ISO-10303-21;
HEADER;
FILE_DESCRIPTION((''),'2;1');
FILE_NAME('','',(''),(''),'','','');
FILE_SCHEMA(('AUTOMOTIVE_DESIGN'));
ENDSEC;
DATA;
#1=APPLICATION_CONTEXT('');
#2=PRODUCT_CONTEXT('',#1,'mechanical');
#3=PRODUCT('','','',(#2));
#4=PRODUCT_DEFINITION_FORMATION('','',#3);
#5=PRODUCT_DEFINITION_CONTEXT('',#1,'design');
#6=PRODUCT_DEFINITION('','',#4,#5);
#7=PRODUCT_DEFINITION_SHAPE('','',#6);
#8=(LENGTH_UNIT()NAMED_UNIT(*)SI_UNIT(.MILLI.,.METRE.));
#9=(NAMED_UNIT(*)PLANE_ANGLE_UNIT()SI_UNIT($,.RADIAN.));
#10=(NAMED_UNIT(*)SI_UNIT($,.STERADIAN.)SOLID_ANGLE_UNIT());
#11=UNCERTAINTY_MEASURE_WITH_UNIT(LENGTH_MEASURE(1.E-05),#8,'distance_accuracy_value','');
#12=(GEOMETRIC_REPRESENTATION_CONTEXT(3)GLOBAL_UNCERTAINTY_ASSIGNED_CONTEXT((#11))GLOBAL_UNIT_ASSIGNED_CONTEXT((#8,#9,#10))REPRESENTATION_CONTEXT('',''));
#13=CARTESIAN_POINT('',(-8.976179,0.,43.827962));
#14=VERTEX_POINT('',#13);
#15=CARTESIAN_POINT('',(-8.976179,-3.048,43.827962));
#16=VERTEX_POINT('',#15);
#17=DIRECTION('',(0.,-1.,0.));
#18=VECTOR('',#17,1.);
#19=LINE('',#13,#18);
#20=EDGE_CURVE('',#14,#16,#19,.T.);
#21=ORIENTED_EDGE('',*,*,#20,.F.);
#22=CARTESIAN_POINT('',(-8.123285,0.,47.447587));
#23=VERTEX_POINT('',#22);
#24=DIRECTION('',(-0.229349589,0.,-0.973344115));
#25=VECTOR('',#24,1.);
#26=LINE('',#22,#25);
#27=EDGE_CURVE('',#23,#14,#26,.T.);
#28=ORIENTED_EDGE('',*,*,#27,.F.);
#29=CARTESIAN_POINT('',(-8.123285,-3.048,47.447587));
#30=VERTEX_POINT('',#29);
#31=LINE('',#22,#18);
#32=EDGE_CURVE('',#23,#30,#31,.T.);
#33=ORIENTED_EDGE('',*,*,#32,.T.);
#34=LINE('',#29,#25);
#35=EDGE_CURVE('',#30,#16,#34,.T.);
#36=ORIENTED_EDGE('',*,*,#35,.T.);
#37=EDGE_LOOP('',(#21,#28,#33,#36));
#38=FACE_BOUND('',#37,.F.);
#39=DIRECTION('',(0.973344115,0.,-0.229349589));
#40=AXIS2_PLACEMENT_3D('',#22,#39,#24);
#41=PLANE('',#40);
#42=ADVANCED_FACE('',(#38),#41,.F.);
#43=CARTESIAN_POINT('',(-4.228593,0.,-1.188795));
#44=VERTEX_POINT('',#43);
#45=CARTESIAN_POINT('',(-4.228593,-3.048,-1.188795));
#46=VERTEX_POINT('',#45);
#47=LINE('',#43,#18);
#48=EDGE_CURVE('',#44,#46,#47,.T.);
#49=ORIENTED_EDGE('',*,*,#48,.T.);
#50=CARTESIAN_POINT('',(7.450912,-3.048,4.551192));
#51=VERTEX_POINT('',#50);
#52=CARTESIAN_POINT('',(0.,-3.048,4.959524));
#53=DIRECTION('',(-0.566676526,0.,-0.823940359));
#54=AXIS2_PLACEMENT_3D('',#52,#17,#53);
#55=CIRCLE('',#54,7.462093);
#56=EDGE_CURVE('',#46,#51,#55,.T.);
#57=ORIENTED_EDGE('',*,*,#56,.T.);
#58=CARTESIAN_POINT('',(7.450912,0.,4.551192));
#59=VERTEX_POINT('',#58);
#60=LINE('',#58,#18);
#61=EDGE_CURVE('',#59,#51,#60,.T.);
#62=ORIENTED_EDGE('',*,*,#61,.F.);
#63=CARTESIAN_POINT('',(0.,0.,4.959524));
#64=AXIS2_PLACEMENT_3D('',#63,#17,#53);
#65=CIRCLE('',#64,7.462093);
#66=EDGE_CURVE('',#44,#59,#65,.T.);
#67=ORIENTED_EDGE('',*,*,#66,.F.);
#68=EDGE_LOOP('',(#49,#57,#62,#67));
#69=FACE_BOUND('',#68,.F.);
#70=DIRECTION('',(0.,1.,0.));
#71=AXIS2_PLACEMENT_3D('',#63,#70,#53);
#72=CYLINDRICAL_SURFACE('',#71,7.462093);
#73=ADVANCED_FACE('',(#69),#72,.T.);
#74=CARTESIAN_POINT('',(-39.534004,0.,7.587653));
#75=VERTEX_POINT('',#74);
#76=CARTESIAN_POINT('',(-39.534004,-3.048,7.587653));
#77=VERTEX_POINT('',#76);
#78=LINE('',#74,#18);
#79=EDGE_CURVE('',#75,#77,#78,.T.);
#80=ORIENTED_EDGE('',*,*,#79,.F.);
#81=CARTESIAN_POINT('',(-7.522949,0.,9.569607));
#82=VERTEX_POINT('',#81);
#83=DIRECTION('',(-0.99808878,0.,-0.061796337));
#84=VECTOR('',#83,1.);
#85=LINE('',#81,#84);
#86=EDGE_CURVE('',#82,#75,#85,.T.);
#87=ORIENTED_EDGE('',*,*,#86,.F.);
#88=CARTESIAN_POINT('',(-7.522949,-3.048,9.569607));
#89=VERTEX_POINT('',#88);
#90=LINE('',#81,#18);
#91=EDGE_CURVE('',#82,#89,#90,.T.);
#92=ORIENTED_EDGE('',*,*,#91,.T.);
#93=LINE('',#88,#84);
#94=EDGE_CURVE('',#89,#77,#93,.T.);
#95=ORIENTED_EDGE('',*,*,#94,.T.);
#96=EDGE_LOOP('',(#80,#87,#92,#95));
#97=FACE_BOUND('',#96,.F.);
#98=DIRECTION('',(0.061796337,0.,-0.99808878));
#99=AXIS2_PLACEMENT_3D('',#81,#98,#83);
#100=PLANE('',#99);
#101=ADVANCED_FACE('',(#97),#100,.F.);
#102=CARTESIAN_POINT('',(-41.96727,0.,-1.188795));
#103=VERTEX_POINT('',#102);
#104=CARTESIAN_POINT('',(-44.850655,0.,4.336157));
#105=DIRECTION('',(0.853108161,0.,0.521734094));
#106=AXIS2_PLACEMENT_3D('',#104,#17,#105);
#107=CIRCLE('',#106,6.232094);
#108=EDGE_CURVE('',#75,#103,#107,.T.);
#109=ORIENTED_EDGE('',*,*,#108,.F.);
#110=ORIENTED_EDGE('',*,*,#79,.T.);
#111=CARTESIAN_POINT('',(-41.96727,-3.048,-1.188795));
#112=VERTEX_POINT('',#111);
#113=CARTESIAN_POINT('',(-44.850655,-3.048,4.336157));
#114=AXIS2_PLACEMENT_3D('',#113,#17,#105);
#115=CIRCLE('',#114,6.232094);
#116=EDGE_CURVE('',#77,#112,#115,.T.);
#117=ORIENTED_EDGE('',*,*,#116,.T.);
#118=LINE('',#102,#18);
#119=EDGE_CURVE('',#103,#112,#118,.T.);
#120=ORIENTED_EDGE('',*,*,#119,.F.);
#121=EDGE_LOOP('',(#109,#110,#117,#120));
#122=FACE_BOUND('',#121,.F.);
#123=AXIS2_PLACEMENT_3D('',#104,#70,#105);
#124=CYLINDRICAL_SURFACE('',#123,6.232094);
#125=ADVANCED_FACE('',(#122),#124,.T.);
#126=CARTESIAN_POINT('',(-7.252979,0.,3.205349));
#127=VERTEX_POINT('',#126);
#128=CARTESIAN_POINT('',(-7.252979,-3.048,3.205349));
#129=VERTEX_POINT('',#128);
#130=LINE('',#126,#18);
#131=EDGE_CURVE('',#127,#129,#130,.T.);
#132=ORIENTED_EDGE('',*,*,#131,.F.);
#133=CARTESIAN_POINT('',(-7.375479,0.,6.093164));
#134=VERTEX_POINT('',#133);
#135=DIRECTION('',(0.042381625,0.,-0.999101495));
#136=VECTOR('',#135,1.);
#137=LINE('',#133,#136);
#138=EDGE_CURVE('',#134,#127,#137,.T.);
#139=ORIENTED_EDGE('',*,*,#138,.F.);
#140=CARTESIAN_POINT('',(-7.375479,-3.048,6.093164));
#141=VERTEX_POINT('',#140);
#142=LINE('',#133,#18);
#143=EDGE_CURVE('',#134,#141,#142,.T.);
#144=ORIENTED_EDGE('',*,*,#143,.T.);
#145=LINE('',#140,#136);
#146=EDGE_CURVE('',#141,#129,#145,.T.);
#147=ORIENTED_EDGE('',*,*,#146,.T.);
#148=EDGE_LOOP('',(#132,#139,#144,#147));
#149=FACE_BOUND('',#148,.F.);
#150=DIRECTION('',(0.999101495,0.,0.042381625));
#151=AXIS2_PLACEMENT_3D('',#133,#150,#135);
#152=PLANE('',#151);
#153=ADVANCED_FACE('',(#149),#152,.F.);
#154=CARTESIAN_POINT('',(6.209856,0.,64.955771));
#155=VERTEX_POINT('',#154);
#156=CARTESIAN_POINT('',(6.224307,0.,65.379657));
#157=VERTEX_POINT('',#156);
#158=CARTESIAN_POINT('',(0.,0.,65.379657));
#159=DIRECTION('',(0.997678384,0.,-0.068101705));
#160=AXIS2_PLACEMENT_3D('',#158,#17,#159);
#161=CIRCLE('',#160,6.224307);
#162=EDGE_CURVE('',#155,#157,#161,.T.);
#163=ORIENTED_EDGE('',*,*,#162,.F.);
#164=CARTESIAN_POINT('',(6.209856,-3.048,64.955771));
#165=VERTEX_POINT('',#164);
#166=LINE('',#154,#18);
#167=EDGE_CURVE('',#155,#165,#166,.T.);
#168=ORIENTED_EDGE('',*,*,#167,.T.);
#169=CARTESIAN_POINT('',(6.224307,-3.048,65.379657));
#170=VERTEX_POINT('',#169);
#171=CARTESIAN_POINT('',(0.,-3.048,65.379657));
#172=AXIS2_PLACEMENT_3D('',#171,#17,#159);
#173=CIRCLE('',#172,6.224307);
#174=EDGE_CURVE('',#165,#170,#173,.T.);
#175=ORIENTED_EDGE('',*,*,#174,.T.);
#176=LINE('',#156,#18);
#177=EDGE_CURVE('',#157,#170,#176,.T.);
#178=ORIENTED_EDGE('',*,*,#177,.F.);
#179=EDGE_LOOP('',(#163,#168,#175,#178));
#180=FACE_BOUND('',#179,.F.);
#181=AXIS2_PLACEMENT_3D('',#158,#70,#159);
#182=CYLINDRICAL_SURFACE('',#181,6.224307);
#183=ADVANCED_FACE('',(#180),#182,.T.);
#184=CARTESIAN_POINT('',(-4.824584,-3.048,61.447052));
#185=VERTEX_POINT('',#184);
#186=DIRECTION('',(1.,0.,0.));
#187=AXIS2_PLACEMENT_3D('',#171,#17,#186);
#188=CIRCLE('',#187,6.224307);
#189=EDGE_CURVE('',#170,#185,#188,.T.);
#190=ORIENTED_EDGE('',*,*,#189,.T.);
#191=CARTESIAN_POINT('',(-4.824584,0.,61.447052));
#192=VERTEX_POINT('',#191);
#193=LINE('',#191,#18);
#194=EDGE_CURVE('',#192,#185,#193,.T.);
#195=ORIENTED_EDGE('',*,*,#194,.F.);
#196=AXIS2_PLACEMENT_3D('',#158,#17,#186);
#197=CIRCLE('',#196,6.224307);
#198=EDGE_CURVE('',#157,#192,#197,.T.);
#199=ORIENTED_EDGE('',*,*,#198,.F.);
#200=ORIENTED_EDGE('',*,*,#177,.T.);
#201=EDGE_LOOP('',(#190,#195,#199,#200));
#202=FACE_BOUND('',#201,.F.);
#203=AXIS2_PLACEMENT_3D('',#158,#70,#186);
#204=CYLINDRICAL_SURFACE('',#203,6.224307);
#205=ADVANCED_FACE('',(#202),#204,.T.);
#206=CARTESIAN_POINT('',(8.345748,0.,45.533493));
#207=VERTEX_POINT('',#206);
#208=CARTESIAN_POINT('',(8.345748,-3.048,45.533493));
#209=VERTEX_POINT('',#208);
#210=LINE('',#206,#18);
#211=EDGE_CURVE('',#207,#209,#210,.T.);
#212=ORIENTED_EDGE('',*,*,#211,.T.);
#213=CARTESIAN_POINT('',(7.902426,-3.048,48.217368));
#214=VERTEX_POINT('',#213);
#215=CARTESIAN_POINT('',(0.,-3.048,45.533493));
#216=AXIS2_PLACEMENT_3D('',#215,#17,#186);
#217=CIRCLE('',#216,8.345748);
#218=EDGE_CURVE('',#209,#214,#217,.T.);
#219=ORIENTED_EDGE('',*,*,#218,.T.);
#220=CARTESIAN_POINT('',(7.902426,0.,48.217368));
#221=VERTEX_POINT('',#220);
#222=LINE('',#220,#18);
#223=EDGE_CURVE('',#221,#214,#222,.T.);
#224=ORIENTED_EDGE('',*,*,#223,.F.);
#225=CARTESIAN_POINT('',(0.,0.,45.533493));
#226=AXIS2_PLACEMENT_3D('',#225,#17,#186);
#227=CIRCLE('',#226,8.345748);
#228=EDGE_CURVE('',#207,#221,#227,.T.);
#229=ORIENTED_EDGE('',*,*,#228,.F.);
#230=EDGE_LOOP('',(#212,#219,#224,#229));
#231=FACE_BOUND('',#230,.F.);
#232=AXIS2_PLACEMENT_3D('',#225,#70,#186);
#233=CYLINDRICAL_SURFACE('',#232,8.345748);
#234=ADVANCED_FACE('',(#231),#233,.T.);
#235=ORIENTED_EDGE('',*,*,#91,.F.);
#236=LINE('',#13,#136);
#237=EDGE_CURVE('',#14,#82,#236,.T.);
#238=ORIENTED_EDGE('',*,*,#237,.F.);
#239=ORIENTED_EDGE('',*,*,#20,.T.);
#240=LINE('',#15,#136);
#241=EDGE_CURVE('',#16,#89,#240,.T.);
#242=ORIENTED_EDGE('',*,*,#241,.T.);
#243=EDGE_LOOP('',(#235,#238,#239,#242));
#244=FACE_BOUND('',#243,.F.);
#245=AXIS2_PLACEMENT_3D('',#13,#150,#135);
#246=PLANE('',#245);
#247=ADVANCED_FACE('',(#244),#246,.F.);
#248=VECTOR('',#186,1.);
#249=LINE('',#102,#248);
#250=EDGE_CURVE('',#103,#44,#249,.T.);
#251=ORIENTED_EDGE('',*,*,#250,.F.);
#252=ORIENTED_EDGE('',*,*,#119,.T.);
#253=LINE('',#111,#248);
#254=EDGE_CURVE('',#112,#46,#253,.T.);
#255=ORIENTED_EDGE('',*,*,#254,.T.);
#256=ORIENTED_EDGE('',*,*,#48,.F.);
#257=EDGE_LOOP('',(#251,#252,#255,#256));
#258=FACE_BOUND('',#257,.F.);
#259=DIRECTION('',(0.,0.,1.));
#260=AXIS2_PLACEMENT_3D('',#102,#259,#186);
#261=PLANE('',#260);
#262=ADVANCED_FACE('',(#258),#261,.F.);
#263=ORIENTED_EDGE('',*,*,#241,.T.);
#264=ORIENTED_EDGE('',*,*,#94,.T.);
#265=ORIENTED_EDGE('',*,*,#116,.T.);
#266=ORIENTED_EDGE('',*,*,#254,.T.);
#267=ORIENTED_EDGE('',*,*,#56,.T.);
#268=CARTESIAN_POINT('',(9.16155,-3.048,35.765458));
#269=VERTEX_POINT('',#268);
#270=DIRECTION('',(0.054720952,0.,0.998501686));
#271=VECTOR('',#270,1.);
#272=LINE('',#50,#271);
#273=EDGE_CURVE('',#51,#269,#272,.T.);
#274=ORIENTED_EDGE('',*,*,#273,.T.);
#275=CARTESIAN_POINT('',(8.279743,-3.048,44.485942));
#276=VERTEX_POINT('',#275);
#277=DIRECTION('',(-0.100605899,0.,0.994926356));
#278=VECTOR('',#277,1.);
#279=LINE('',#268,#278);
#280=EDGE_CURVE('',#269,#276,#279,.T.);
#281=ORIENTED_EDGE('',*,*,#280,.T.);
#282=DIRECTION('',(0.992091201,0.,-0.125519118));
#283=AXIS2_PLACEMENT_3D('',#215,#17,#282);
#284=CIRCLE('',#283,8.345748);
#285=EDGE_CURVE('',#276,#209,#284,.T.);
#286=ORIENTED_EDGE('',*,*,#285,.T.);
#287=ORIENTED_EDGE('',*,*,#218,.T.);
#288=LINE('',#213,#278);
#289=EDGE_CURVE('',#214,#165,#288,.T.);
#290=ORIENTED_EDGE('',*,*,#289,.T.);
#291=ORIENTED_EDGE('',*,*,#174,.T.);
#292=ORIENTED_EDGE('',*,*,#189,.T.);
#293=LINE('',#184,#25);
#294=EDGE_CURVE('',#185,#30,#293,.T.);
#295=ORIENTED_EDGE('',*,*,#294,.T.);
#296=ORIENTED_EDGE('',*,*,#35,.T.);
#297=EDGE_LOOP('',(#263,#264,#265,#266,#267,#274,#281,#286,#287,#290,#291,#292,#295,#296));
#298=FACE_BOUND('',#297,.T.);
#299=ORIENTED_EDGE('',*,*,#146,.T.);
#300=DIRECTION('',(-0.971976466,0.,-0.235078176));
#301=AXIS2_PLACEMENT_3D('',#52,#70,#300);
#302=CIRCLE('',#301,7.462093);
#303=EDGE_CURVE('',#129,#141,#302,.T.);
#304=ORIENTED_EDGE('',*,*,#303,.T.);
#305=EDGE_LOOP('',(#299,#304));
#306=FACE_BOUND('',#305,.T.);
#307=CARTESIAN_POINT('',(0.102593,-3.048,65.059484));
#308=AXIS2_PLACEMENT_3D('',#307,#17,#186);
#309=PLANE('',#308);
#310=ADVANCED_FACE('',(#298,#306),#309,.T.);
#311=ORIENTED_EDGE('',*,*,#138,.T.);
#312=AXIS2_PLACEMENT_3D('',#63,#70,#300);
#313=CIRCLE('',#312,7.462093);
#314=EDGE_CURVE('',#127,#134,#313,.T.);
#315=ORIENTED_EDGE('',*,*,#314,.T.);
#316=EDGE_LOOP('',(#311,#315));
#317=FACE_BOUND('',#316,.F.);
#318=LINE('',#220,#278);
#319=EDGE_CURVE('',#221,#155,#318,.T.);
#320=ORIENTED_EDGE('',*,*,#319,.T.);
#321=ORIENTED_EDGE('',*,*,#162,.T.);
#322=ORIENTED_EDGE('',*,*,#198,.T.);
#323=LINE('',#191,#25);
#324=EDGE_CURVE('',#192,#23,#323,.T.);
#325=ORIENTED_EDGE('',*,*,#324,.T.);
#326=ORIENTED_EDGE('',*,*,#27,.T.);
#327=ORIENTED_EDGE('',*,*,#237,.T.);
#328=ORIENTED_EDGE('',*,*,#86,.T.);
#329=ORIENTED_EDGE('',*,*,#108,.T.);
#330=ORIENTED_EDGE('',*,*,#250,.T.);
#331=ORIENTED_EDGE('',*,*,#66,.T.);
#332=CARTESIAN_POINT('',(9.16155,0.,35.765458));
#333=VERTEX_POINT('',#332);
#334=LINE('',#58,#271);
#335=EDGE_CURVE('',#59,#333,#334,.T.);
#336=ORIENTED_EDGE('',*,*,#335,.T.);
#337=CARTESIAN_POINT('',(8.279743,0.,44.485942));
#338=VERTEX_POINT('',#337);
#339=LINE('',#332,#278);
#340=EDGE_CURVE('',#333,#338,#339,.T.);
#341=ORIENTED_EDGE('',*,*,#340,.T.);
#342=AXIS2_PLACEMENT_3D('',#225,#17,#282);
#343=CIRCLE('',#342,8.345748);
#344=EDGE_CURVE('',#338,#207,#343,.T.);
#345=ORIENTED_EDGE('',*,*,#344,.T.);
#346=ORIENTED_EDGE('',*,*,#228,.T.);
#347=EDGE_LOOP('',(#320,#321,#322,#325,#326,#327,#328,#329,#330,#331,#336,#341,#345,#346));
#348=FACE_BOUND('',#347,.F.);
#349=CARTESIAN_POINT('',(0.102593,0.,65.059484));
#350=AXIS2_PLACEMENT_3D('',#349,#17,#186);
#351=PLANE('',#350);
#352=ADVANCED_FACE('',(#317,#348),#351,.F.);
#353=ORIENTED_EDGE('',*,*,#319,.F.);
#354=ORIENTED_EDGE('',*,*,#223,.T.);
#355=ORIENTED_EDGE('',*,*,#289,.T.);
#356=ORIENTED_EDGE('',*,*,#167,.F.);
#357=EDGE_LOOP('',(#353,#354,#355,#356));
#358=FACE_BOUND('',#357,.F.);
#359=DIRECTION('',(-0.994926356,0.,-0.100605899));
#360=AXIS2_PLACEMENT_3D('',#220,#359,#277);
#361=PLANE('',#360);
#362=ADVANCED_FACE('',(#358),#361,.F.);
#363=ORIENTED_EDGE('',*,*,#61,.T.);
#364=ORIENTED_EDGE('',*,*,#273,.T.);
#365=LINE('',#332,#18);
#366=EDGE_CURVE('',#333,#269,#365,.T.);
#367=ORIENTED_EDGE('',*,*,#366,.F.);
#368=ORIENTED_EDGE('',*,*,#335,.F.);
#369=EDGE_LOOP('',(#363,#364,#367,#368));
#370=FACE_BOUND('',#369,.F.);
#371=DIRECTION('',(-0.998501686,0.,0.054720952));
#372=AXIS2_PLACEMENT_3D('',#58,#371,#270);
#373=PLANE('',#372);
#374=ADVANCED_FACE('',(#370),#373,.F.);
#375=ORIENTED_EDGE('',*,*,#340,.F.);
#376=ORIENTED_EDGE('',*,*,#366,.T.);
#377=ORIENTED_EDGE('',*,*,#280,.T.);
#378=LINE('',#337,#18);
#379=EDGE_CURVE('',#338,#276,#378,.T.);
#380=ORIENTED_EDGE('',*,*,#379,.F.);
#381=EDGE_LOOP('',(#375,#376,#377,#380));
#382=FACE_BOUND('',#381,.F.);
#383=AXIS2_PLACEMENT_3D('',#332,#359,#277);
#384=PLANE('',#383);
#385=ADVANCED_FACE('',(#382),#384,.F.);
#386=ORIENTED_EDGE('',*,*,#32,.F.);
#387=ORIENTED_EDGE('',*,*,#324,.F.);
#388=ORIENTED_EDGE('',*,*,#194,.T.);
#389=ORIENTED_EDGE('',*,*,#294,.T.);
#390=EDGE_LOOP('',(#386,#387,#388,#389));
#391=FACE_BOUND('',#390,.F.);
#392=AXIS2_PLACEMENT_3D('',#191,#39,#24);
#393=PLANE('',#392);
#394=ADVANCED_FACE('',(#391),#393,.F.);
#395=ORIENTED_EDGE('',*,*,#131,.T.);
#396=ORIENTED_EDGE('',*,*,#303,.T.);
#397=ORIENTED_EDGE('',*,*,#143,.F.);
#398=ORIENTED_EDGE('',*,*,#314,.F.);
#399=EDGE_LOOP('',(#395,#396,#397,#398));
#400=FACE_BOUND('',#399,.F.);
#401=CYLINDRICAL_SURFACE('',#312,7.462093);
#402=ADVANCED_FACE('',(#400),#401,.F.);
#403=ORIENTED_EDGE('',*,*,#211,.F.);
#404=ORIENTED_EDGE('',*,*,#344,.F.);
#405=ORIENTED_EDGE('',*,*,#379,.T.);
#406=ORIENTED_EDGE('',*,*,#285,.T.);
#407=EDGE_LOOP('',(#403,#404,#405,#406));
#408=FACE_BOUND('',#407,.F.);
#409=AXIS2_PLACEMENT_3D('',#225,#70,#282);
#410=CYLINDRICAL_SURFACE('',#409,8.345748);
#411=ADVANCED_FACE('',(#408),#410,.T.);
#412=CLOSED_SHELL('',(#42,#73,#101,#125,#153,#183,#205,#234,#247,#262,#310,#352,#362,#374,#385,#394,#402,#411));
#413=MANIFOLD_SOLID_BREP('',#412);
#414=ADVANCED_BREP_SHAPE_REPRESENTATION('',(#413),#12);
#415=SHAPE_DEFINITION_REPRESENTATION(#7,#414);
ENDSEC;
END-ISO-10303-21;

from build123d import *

# Parameters (mm, degrees)
F1_DEPTH = 3.048


with BuildPart() as f1:
    # F0 (on Front) → F1 (new body)
    with BuildSketch(Plane.XZ):
        with BuildLine():
            ThreePointArc((6.209856088, 64.9557709646), (6.2206928765, 65.1675907882), (6.224306538, 65.3796568513))
            ThreePointArc((6.224306538, 65.3796568513), (-2.0871396142, 71.2436009258), (-4.824583776, 61.4470517012))
            ThreePointArc((-4.824583776, 61.4470517012), (-2.6706040451, 59.7573916572), (0, 59.1553503133))
            ThreePointArc((0, 59.1553503133), (4.2487407654, 60.8310093834), (6.209856088, 64.9557709646))
        make_face()
        with BuildLine():
            ThreePointArc((0, 59.1553503133), (-2.6706040451, 59.7573916572), (-4.824583776, 61.4470517012))
            Line((-4.824583776, 61.4470517012), (-8.1232850213, 47.4475871287))
            ThreePointArc((-8.1232850213, 47.4475871287), (-5.1805872599, 52.0766598943), (0, 53.8792414952))
            Line((0, 53.8792414952), (0, 59.1553503133))
        make_face()
        with BuildLine():
            Line((7.9024256694, 48.2173679334), (6.209856088, 64.9557709646))
            ThreePointArc((6.209856088, 64.9557709646), (4.2487407654, 60.8310093834), (0, 59.1553503133))
            Line((0, 59.1553503133), (0, 53.8792414952))
            ThreePointArc((0, 53.8792414952), (4.8606878035, 52.3176828203), (7.9024256694, 48.2173679334))
        make_face()
        with BuildLine():
            ThreePointArc((0, 53.8792414952), (-5.1805872599, 52.0766598943), (-8.1232850213, 47.4475871287))
            ThreePointArc((-8.1232850213, 47.4475871287), (-6.5431667331, 40.3529059013), (0, 37.1877448272))
            Line((0, 37.1877448272), (0, 53.8792414952))
        make_face()
        with BuildLine():
            ThreePointArc((0, 37.1877448272), (-6.5431667331, 40.3529059013), (-8.1232850213, 47.4475871287))
            Line((-8.1232850213, 47.4475871287), (-8.9761791751, 43.8279621303))
            Line((-8.9761791751, 43.8279621303), (-7.522948678, 9.569606592))
            Line((-7.522948678, 9.569606592), (-5.7813609054, 9.6774364228))
            ThreePointArc((-5.7813609054, 9.6774364228), (-3.1997914593, 11.7007529388), (0, 12.4216171046))
            Line((0, 12.4216171046), (0, 37.1877448272))
        make_face()
        with BuildLine():
            Line((8.2797434874, 44.4859421904), (7.9024256694, 48.2173679334))
            ThreePointArc((7.9024256694, 48.2173679334), (4.8606878035, 52.3176828203), (0, 53.8792414952))
            Line((0, 53.8792414952), (0, 37.1877448272))
            ThreePointArc((0, 37.1877448272), (5.5185559019, 39.2727379343), (8.2797434874, 44.4859421904))
        make_face()
        with BuildLine():
            ThreePointArc((8.345748334, 45.5334931612), (8.2341718199, 46.893614367), (7.9024256694, 48.2173679334))
            Line((7.9024256694, 48.2173679334), (8.2797434874, 44.4859421904))
            ThreePointArc((8.2797434874, 44.4859421904), (8.3292307769, 45.0086789855), (8.345748334, 45.5334931612))
        make_face()
        with BuildLine():
            ThreePointArc((8.2797434874, 44.4859421904), (5.5185559019, 39.2727379343), (0, 37.1877448272))
            Line((0, 37.1877448272), (0, 12.4216171046))
            ThreePointArc((0, 12.4216171046), (5.2764963843, 10.2360207404), (7.4620927485, 4.9595243561))
            ThreePointArc((7.4620927485, 4.9595243561), (7.4592970858, 4.7552814289), (7.4509121924, 4.5511915405))
            Line((7.4509121924, 4.5511915405), (9.1615496203, 35.7654578984))
            Line((9.1615496203, 35.7654578984), (8.2797434874, 44.4859421904))
        make_face()
        with BuildLine():
            ThreePointArc((7.4620927485, 4.9595243561), (5.2764963843, 10.2360207404), (0, 12.4216171046))
            ThreePointArc((0, 12.4216171046), (-3.1997914593, 11.7007529388), (-5.7813609054, 9.6774364228))
            ThreePointArc((-5.7813609054, 9.6774364228), (-6.8181639984, 7.9919273436), (-7.3754788979, 6.0931641639))
            Line((-7.3754788979, 6.0931641639), (-7.2529785413, 3.2053492032))
            ThreePointArc((-7.2529785413, 3.2053492032), (-6.1468484582, 0.7287936603), (-4.2285927984, -1.1887950186))
            ThreePointArc((-4.2285927984, -1.1887950186), (3.2913062747, -1.737499699), (7.4509121924, 4.5511915405))
            ThreePointArc((7.4509121924, 4.5511915405), (7.4592970858, 4.7552814289), (7.4620927485, 4.9595243561))
        make_face()
        with BuildLine():
            Line((-5.7813609054, 9.6774364228), (-7.522948678, 9.569606592))
            Line((-7.522948678, 9.569606592), (-7.3754788979, 6.0931641639))
            ThreePointArc((-7.3754788979, 6.0931641639), (-6.8181639984, 7.9919273436), (-5.7813609054, 9.6774364228))
        make_face()
        with BuildLine():
            Line((-7.3754788979, 6.0931641639), (-7.522948678, 9.569606592))
            Line((-7.522948678, 9.569606592), (-39.5340041513, 7.5876526823))
            ThreePointArc((-39.5340041513, 7.5876526823), (-38.8517853204, 6.0251107225), (-38.6185603593, 4.3361566003))
            ThreePointArc((-38.6185603593, 4.3361566003), (-38.6444768889, 3.7683918186), (-38.7220109269, 3.2053492032))
            Line((-38.7220109269, 3.2053492032), (-7.2529785413, 3.2053492032))
            ThreePointArc((-7.2529785413, 3.2053492032), (-7.4553880231, 4.6432687427), (-7.3754788979, 6.0931641639))
        make_face()
        with BuildLine():
            ThreePointArc((-38.6185603593, 4.3361566003), (-38.8517853204, 6.0251107225), (-39.5340041513, 7.5876526823))
            ThreePointArc((-39.5340041513, 7.5876526823), (-50.8562066327, 6.0011927176), (-41.9672696546, -1.1887950186))
            ThreePointArc((-41.9672696546, -1.1887950186), (-39.8375427183, 0.6337643909), (-38.7220109269, 3.2053492032))
            ThreePointArc((-38.7220109269, 3.2053492032), (-38.6444768889, 3.7683918186), (-38.6185603593, 4.3361566003))
        make_face()
        with BuildLine():
            ThreePointArc((-4.2285927984, -1.1887950186), (-6.1468484582, 0.7287936603), (-7.2529785413, 3.2053492032))
            Line((-7.2529785413, 3.2053492032), (-38.7220109269, 3.2053492032))
            ThreePointArc((-38.7220109269, 3.2053492032), (-39.8375427183, 0.6337643909), (-41.9672696546, -1.1887950186))
            Line((-41.9672696546, -1.1887950186), (-4.2285927984, -1.1887950186))
        make_face()
    extrude(amount=F1_DEPTH)


solid = f1.part
